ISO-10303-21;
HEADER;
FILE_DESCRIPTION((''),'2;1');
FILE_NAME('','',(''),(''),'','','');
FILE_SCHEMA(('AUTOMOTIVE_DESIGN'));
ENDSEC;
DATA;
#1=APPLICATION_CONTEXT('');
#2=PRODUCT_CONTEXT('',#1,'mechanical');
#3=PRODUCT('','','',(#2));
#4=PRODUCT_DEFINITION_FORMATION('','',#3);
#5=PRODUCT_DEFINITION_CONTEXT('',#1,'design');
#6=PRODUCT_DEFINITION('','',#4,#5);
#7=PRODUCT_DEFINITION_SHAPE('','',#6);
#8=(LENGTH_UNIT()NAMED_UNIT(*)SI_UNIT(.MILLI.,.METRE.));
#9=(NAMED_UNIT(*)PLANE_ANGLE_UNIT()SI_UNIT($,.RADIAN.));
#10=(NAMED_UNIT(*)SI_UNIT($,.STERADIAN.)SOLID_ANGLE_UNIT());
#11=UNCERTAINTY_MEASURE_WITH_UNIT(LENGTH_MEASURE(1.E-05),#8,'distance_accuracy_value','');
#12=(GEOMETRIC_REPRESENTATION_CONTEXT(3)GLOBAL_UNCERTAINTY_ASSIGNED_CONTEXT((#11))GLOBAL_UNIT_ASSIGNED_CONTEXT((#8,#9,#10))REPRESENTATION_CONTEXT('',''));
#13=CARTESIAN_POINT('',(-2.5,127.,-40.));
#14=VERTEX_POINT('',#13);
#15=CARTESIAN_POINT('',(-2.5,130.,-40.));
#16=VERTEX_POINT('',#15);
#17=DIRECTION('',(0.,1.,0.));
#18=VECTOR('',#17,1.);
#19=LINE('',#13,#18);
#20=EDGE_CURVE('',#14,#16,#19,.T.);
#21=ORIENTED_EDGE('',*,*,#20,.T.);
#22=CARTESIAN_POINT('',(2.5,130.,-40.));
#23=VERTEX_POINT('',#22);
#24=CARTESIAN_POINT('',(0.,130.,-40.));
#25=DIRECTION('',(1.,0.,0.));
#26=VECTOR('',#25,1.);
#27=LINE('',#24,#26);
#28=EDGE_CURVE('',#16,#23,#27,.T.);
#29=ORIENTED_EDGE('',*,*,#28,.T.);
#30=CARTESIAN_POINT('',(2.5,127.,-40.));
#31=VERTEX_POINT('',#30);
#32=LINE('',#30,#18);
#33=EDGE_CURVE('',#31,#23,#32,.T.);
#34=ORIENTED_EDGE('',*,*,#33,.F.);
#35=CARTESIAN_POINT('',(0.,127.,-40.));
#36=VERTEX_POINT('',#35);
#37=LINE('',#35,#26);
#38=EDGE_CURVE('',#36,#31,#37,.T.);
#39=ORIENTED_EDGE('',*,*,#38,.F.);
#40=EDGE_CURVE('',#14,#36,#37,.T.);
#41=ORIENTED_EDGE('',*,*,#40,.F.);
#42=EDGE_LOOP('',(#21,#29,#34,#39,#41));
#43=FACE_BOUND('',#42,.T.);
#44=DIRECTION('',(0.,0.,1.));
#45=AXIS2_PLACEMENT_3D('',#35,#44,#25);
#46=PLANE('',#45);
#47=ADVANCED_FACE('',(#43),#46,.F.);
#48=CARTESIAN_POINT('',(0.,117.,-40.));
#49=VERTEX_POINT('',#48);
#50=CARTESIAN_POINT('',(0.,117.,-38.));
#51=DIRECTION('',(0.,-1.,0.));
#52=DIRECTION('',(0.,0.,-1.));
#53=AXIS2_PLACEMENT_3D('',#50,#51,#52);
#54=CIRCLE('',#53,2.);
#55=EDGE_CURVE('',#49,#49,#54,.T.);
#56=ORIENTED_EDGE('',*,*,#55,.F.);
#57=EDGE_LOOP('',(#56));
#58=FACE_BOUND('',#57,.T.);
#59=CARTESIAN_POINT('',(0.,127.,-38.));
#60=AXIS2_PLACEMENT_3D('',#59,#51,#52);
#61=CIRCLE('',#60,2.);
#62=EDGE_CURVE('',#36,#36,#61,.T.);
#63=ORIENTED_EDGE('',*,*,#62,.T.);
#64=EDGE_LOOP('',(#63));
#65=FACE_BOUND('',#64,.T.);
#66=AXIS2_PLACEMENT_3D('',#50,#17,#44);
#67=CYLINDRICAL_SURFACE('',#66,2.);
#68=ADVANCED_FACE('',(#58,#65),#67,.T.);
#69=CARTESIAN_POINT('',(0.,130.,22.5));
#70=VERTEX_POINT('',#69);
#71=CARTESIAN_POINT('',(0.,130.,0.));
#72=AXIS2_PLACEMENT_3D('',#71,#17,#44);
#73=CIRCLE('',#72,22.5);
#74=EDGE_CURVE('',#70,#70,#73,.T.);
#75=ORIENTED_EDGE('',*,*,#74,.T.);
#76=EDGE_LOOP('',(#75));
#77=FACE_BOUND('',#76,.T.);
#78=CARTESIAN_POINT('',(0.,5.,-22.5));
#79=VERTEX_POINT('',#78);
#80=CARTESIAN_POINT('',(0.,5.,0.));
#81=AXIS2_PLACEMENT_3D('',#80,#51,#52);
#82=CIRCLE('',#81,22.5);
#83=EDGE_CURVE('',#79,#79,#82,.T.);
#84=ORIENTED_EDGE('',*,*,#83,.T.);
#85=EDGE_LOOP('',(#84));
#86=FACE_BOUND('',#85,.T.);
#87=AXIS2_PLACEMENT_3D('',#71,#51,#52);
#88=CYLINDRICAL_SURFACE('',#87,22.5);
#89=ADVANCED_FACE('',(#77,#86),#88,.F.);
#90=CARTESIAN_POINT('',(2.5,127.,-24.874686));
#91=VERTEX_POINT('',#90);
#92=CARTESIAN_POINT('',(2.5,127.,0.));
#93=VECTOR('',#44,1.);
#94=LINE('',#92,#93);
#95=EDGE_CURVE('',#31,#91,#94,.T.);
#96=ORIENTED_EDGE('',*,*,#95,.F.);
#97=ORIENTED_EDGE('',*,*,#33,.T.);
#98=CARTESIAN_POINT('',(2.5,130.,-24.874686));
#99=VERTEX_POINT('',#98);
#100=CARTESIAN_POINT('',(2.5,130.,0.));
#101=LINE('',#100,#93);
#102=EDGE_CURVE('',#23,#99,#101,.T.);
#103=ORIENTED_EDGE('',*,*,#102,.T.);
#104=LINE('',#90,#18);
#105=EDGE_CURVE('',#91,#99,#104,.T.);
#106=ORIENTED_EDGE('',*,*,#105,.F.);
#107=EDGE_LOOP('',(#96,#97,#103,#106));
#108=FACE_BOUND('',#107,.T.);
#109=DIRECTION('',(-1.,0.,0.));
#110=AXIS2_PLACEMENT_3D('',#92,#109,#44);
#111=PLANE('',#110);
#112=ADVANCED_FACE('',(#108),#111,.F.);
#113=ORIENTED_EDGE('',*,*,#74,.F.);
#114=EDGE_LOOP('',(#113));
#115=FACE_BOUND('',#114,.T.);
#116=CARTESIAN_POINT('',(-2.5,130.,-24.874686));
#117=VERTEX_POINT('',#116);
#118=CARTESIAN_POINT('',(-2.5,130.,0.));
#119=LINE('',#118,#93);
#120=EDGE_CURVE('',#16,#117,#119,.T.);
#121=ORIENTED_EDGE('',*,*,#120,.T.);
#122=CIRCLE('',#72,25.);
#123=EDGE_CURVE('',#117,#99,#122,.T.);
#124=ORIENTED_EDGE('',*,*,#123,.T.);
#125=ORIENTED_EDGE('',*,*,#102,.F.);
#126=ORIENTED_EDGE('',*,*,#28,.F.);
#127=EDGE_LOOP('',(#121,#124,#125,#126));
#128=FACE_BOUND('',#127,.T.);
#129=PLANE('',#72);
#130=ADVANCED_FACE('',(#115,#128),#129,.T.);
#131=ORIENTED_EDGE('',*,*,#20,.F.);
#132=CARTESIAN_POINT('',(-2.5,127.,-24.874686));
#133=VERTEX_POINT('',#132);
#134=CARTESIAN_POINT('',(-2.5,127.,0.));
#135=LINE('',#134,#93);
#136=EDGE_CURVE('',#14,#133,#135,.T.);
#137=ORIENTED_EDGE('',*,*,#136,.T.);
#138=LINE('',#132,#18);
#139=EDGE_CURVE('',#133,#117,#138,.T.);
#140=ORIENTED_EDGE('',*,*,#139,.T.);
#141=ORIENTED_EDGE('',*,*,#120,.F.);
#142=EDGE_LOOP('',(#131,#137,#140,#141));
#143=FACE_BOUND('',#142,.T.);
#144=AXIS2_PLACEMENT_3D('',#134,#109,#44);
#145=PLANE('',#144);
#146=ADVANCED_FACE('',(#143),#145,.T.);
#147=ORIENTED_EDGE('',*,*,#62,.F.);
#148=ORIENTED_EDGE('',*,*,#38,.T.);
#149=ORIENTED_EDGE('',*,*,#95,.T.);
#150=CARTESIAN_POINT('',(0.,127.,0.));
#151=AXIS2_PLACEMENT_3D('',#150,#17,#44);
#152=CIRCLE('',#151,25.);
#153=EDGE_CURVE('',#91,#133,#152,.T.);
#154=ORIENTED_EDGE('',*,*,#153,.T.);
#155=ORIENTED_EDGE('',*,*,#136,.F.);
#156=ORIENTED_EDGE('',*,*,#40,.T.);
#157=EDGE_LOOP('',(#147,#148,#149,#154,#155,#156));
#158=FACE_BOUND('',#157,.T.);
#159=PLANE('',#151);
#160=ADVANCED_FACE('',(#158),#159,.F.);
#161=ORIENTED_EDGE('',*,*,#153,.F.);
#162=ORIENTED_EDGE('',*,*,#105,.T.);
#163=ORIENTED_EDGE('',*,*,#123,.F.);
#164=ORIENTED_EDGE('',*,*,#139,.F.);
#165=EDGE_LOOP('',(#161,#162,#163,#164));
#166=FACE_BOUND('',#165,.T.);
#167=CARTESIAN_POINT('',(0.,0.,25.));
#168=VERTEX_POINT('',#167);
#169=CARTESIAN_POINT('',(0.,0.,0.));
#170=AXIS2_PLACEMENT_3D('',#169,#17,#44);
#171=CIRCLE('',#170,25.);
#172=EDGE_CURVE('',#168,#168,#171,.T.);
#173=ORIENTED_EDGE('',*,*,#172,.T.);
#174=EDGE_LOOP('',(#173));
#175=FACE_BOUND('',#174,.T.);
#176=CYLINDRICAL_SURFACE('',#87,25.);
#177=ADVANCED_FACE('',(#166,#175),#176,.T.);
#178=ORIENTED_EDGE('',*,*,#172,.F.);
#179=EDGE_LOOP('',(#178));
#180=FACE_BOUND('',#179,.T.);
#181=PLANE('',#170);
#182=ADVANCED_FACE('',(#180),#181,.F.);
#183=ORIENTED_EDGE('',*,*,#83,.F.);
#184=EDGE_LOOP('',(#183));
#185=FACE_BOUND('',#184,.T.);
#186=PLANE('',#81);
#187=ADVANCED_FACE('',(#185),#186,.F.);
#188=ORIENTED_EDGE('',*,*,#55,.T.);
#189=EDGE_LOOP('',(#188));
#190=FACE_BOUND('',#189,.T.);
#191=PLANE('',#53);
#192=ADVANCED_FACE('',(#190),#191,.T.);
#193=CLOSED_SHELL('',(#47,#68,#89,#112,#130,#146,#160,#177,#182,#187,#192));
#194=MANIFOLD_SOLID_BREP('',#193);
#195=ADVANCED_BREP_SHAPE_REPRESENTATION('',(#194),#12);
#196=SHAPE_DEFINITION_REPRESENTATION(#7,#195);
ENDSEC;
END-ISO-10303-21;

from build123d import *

# Parameters (mm, degrees)
SKETCH1_R           = 25
SKETCH1_R_2         = 22.5
BOSS_EXTRUDE1_DEPTH = 130
SKETCH2_R           = 25
BOSS_EXTRUDE2_DEPTH = 5
BOSS_EXTRUDE3_DEPTH = 3
SKETCH4_R           = 2
BOSS_EXTRUDE4_DEPTH = 10


with BuildPart() as part:
    # Sketch1 → Boss-Extrude1 (new body)
    with BuildSketch(Plane(origin=(0, 0, 0), x_dir=(1, 0, 0), z_dir=(0, 1, 0))):
        Circle(SKETCH1_R)
        Circle(SKETCH1_R_2, mode=Mode.SUBTRACT)
    extrude(amount=BOSS_EXTRUDE1_DEPTH)

    # Sketch2 → Boss-Extrude2 (add)
    with BuildSketch(Plane.XZ):
        Circle(SKETCH2_R)
    extrude(amount=-BOSS_EXTRUDE2_DEPTH)

    # Sketch3 → Boss-Extrude3 (add)
    with BuildSketch(Plane(origin=(0, 130, 0), x_dir=(1, 0, 0), z_dir=(0, 1, 0))):
        with BuildLine():
            ThreePointArc((-2.5, 24.874685928), (-1.251569376, 24.968651828), (0, 25))
            Line((0, 25), (0, 40))
            Line((0, 40), (-2.5, 40))
            Line((-2.5, 40), (-2.5, 24.874685928))
        make_face()
        with BuildLine():
            Line((0, 40), (0, 25))
            ThreePointArc((0, 25), (1.251569376, 24.968651828), (2.5, 24.874685928))
            Line((2.5, 24.874685928), (2.5, 40))
            Line((2.5, 40), (0, 40))
        make_face()
    extrude(amount=-BOSS_EXTRUDE3_DEPTH)

    # Sketch4 → Boss-Extrude4 (add)
    with BuildSketch(Plane.XZ.offset(-127)):
        with Locations((0, -38)):
            Circle(SKETCH4_R)
    extrude(amount=BOSS_EXTRUDE4_DEPTH)


solid = part.part
